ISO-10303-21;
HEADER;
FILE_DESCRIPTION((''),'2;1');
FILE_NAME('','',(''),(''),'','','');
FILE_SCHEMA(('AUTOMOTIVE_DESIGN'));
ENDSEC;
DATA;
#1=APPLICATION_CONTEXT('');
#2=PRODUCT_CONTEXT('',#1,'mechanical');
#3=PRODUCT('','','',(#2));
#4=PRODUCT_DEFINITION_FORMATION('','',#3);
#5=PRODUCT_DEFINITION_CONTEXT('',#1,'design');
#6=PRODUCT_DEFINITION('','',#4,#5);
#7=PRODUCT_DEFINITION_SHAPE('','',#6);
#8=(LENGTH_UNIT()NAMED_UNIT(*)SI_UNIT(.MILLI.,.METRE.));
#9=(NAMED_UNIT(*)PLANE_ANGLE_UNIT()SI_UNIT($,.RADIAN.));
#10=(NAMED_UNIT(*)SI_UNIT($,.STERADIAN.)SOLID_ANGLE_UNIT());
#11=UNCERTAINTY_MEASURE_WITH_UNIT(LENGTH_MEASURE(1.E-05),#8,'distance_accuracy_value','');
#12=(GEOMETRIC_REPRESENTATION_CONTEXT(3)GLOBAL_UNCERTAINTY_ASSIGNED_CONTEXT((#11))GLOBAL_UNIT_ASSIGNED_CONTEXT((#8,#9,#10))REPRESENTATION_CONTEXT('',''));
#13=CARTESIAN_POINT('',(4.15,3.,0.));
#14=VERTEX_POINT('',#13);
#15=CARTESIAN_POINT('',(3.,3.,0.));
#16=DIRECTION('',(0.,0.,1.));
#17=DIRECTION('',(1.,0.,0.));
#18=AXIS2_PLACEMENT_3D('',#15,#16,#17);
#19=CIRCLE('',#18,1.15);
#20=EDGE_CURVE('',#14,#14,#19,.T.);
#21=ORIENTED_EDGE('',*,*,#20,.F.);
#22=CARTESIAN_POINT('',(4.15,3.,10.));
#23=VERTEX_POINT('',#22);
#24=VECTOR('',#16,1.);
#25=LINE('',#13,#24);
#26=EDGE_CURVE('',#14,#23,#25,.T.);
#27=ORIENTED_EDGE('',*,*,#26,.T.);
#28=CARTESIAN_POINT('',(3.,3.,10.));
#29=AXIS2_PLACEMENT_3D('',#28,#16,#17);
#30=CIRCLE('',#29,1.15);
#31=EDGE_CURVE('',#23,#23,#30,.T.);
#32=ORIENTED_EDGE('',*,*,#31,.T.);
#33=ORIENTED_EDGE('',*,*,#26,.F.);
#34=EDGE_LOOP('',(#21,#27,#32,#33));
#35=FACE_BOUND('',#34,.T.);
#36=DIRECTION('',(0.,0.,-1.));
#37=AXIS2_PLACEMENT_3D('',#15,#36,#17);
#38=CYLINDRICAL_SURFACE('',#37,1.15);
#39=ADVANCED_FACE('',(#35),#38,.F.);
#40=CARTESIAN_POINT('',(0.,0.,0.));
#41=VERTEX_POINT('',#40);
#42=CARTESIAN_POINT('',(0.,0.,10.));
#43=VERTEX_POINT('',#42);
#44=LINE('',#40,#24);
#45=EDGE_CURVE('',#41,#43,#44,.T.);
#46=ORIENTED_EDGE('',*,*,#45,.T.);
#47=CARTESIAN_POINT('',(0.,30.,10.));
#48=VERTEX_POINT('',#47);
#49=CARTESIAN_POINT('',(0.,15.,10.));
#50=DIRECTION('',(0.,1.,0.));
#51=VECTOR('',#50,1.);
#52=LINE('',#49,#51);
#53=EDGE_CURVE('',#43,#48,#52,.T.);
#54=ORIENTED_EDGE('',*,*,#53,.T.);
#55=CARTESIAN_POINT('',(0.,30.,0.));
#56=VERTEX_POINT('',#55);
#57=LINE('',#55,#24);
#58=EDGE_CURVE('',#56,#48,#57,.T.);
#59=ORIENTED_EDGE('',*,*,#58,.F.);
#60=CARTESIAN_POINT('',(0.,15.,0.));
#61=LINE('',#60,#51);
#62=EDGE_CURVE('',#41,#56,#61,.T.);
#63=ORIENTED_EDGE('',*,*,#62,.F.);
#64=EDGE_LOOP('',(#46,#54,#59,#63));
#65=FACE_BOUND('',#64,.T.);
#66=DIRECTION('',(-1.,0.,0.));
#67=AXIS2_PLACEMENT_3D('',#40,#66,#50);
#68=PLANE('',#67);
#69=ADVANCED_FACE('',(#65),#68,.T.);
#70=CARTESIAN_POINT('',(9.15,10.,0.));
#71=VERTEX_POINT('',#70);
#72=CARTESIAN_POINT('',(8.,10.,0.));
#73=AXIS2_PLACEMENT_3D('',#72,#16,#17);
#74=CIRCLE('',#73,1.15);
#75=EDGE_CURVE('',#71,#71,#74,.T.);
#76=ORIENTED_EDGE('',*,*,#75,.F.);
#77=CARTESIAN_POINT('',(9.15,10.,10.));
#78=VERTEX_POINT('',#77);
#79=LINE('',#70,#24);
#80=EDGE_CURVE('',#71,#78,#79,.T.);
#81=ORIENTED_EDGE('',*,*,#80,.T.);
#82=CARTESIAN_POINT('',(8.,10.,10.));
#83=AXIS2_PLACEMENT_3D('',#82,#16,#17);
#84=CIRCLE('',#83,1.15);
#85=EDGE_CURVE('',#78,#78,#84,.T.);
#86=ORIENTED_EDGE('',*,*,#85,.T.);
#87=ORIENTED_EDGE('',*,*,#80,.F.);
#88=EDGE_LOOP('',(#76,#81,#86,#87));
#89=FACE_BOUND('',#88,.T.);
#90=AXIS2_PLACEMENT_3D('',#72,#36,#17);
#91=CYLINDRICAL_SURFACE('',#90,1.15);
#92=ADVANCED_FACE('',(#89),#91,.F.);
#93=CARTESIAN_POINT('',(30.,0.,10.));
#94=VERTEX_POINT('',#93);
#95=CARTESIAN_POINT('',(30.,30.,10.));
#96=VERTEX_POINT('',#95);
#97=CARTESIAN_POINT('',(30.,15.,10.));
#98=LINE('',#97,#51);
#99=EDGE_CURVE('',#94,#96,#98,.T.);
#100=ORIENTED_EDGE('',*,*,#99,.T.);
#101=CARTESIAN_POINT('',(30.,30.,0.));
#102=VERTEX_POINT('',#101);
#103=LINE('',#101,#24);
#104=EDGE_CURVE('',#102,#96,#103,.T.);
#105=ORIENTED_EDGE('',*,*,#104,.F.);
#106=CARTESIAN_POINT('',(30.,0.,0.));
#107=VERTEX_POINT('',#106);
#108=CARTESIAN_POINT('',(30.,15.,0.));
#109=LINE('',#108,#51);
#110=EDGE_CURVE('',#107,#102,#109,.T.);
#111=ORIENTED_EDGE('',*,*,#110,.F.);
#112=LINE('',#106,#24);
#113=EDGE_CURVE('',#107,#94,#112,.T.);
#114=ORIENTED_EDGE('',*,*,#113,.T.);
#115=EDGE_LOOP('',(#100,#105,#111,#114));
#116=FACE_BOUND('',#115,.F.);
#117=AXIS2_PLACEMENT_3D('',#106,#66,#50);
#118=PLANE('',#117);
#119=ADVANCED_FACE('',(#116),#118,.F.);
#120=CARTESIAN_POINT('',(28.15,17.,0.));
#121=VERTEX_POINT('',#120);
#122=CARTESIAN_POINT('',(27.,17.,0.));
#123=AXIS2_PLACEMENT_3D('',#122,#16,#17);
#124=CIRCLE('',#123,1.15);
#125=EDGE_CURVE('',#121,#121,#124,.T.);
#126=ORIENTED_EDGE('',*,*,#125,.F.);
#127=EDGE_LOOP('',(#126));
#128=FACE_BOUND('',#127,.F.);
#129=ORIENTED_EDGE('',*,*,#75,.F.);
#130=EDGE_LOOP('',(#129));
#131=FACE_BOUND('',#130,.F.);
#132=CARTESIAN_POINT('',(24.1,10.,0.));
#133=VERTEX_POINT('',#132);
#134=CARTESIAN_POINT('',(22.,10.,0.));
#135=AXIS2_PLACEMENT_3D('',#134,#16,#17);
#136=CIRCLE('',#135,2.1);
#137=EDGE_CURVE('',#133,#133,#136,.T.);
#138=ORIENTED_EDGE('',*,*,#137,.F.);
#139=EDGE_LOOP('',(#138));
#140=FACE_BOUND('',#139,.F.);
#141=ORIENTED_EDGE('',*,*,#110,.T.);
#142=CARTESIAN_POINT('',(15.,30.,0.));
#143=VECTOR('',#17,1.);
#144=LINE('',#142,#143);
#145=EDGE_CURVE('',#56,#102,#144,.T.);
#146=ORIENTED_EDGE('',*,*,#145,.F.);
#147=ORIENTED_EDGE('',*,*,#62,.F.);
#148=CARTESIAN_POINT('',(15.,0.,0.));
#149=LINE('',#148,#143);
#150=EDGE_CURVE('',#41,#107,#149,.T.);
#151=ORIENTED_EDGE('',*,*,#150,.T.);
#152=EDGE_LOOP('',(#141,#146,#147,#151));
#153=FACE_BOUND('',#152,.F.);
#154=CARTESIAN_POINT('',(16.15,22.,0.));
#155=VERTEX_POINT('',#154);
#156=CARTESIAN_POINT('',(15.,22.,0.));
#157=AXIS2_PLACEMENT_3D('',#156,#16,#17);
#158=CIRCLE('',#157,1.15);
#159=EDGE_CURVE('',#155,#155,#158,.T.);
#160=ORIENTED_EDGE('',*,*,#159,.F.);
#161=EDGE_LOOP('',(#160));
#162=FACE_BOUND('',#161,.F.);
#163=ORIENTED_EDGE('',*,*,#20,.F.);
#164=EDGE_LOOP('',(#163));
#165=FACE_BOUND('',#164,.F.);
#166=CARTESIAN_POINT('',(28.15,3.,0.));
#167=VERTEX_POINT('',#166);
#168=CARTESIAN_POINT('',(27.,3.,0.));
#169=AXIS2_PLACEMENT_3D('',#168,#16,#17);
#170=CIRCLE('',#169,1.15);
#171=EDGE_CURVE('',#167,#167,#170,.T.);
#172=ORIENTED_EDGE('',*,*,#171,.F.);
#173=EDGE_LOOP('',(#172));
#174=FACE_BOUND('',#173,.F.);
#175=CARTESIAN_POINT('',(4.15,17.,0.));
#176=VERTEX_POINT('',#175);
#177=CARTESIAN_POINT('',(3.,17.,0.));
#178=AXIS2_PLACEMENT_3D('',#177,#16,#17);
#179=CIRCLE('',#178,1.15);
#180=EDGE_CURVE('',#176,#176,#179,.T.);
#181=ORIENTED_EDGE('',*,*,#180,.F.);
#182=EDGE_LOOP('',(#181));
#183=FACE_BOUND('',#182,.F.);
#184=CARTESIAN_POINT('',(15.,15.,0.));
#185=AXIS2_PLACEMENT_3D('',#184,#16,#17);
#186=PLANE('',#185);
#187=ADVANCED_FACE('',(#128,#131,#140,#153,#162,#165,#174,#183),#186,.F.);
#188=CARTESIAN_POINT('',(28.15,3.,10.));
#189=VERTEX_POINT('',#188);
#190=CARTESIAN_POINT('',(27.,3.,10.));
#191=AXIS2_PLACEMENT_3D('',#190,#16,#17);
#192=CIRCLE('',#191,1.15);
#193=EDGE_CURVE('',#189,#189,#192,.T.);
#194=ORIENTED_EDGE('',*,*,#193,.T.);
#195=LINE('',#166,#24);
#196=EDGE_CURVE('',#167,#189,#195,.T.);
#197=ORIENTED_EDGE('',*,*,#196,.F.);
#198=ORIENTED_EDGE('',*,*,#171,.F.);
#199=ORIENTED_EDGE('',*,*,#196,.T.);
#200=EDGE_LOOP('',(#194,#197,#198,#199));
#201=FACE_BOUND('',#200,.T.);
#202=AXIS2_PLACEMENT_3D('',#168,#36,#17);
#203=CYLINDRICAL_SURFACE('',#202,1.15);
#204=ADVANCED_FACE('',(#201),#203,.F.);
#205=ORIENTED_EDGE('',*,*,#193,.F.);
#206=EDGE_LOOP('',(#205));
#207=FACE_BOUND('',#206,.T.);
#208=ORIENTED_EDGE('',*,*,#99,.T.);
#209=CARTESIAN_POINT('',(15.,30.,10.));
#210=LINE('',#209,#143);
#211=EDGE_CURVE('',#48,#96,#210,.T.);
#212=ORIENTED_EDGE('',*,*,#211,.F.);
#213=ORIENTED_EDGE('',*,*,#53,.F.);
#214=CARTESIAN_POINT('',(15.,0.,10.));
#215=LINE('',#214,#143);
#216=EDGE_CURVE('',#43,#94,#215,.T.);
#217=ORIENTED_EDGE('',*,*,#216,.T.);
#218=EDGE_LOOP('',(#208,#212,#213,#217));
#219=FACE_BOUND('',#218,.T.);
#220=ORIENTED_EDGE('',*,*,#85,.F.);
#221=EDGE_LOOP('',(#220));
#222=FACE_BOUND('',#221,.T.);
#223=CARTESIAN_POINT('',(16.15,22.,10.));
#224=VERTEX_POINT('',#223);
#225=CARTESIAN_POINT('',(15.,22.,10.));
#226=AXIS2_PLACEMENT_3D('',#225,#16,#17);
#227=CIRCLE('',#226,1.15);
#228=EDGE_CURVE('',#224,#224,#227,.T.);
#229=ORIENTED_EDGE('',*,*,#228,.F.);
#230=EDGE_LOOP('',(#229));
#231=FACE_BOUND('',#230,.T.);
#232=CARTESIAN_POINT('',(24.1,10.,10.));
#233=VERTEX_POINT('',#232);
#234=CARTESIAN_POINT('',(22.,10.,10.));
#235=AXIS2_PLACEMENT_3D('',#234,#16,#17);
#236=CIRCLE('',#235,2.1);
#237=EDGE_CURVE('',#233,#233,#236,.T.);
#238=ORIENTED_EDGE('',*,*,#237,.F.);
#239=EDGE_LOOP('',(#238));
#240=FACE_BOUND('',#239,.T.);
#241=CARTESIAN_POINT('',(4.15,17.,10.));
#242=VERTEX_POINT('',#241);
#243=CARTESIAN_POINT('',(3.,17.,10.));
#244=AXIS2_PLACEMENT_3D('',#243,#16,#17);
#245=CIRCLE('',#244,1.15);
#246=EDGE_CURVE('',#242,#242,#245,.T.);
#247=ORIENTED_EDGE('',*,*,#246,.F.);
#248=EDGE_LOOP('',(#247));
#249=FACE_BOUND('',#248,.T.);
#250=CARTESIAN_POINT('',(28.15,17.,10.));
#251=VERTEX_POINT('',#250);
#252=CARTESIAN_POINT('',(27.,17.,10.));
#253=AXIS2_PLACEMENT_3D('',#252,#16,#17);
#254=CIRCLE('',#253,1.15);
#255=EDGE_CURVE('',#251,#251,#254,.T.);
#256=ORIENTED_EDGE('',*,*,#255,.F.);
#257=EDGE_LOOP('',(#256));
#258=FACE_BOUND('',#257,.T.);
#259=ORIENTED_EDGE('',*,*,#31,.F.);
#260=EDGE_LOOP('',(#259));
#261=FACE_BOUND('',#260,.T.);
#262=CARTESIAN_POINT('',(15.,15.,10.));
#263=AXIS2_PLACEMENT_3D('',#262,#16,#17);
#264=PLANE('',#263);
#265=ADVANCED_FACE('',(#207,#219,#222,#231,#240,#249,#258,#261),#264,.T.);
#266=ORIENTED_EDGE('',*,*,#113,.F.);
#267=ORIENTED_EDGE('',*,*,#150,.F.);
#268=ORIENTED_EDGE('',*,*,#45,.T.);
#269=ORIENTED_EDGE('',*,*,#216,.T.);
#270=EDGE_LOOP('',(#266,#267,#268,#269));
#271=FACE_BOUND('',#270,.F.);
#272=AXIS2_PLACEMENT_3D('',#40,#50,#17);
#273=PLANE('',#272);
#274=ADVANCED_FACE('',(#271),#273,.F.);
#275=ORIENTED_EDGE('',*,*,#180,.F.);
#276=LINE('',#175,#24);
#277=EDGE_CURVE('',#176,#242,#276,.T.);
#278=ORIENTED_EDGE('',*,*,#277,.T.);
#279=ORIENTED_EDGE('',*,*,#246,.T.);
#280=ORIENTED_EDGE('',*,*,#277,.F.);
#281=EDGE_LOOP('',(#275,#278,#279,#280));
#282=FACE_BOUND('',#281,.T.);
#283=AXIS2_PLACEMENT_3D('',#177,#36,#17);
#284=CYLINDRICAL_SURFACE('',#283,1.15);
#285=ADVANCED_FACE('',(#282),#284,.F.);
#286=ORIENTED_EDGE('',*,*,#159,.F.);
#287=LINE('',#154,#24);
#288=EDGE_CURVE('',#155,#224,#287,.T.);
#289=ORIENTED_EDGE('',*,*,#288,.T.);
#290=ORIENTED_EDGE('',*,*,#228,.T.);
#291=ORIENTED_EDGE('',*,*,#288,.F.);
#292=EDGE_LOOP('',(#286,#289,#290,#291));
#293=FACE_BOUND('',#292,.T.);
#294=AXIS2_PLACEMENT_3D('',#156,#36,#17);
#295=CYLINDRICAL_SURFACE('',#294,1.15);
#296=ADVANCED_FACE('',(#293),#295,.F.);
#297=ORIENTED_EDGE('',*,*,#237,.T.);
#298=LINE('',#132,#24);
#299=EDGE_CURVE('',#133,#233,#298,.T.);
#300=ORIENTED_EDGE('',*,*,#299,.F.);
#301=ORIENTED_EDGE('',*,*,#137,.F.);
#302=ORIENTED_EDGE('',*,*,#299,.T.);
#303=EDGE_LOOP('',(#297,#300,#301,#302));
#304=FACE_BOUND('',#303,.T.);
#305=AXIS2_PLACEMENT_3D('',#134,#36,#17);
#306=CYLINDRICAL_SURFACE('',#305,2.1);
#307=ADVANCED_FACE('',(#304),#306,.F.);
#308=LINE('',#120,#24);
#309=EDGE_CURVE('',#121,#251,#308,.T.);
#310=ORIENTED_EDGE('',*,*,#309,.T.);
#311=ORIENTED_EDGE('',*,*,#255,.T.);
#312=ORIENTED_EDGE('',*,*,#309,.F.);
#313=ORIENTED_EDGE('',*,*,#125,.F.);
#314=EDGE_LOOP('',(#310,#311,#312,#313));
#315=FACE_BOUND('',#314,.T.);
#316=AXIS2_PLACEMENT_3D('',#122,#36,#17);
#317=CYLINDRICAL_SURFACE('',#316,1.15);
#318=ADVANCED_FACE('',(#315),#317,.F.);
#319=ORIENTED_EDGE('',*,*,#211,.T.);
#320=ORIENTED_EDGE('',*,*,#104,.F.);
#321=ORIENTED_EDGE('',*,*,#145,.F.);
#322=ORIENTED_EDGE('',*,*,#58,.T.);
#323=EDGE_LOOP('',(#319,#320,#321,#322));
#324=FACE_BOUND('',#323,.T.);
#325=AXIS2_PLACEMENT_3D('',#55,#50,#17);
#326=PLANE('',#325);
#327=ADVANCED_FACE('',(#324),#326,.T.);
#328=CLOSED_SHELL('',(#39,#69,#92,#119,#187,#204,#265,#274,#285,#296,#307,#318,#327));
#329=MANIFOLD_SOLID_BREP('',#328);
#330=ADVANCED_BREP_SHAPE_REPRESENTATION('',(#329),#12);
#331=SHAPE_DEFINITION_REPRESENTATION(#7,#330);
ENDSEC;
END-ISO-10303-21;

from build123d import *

# Parameters (mm, degrees)
SKETCH1_W           = 30
SKETCH1_H           = 30
SKETCH1_R           = 1.15
SKETCH1_R_2         = 2.1
BOSS_EXTRUDE1_DEPTH = 10


with BuildPart() as part:
    # Sketch1 → Boss-Extrude1 (new body)
    with BuildSketch(Plane.XY):
        with Locations((15, 15)):
            Rectangle(SKETCH1_W, SKETCH1_H)
        with Locations((3, 3)):
            Circle(SKETCH1_R, mode=Mode.SUBTRACT)
        with Locations((3, 17)):
            Circle(SKETCH1_R, mode=Mode.SUBTRACT)
        with Locations((27, 17)):
            Circle(SKETCH1_R, mode=Mode.SUBTRACT)
        with Locations((27, 3)):
            Circle(SKETCH1_R, mode=Mode.SUBTRACT)
        with Locations((8, 10)):
            Circle(SKETCH1_R, mode=Mode.SUBTRACT)
        with Locations((15, 22)):
            Circle(SKETCH1_R, mode=Mode.SUBTRACT)
        with Locations((22, 10)):
            Circle(SKETCH1_R_2, mode=Mode.SUBTRACT)
    extrude(amount=BOSS_EXTRUDE1_DEPTH)


solid = part.part
